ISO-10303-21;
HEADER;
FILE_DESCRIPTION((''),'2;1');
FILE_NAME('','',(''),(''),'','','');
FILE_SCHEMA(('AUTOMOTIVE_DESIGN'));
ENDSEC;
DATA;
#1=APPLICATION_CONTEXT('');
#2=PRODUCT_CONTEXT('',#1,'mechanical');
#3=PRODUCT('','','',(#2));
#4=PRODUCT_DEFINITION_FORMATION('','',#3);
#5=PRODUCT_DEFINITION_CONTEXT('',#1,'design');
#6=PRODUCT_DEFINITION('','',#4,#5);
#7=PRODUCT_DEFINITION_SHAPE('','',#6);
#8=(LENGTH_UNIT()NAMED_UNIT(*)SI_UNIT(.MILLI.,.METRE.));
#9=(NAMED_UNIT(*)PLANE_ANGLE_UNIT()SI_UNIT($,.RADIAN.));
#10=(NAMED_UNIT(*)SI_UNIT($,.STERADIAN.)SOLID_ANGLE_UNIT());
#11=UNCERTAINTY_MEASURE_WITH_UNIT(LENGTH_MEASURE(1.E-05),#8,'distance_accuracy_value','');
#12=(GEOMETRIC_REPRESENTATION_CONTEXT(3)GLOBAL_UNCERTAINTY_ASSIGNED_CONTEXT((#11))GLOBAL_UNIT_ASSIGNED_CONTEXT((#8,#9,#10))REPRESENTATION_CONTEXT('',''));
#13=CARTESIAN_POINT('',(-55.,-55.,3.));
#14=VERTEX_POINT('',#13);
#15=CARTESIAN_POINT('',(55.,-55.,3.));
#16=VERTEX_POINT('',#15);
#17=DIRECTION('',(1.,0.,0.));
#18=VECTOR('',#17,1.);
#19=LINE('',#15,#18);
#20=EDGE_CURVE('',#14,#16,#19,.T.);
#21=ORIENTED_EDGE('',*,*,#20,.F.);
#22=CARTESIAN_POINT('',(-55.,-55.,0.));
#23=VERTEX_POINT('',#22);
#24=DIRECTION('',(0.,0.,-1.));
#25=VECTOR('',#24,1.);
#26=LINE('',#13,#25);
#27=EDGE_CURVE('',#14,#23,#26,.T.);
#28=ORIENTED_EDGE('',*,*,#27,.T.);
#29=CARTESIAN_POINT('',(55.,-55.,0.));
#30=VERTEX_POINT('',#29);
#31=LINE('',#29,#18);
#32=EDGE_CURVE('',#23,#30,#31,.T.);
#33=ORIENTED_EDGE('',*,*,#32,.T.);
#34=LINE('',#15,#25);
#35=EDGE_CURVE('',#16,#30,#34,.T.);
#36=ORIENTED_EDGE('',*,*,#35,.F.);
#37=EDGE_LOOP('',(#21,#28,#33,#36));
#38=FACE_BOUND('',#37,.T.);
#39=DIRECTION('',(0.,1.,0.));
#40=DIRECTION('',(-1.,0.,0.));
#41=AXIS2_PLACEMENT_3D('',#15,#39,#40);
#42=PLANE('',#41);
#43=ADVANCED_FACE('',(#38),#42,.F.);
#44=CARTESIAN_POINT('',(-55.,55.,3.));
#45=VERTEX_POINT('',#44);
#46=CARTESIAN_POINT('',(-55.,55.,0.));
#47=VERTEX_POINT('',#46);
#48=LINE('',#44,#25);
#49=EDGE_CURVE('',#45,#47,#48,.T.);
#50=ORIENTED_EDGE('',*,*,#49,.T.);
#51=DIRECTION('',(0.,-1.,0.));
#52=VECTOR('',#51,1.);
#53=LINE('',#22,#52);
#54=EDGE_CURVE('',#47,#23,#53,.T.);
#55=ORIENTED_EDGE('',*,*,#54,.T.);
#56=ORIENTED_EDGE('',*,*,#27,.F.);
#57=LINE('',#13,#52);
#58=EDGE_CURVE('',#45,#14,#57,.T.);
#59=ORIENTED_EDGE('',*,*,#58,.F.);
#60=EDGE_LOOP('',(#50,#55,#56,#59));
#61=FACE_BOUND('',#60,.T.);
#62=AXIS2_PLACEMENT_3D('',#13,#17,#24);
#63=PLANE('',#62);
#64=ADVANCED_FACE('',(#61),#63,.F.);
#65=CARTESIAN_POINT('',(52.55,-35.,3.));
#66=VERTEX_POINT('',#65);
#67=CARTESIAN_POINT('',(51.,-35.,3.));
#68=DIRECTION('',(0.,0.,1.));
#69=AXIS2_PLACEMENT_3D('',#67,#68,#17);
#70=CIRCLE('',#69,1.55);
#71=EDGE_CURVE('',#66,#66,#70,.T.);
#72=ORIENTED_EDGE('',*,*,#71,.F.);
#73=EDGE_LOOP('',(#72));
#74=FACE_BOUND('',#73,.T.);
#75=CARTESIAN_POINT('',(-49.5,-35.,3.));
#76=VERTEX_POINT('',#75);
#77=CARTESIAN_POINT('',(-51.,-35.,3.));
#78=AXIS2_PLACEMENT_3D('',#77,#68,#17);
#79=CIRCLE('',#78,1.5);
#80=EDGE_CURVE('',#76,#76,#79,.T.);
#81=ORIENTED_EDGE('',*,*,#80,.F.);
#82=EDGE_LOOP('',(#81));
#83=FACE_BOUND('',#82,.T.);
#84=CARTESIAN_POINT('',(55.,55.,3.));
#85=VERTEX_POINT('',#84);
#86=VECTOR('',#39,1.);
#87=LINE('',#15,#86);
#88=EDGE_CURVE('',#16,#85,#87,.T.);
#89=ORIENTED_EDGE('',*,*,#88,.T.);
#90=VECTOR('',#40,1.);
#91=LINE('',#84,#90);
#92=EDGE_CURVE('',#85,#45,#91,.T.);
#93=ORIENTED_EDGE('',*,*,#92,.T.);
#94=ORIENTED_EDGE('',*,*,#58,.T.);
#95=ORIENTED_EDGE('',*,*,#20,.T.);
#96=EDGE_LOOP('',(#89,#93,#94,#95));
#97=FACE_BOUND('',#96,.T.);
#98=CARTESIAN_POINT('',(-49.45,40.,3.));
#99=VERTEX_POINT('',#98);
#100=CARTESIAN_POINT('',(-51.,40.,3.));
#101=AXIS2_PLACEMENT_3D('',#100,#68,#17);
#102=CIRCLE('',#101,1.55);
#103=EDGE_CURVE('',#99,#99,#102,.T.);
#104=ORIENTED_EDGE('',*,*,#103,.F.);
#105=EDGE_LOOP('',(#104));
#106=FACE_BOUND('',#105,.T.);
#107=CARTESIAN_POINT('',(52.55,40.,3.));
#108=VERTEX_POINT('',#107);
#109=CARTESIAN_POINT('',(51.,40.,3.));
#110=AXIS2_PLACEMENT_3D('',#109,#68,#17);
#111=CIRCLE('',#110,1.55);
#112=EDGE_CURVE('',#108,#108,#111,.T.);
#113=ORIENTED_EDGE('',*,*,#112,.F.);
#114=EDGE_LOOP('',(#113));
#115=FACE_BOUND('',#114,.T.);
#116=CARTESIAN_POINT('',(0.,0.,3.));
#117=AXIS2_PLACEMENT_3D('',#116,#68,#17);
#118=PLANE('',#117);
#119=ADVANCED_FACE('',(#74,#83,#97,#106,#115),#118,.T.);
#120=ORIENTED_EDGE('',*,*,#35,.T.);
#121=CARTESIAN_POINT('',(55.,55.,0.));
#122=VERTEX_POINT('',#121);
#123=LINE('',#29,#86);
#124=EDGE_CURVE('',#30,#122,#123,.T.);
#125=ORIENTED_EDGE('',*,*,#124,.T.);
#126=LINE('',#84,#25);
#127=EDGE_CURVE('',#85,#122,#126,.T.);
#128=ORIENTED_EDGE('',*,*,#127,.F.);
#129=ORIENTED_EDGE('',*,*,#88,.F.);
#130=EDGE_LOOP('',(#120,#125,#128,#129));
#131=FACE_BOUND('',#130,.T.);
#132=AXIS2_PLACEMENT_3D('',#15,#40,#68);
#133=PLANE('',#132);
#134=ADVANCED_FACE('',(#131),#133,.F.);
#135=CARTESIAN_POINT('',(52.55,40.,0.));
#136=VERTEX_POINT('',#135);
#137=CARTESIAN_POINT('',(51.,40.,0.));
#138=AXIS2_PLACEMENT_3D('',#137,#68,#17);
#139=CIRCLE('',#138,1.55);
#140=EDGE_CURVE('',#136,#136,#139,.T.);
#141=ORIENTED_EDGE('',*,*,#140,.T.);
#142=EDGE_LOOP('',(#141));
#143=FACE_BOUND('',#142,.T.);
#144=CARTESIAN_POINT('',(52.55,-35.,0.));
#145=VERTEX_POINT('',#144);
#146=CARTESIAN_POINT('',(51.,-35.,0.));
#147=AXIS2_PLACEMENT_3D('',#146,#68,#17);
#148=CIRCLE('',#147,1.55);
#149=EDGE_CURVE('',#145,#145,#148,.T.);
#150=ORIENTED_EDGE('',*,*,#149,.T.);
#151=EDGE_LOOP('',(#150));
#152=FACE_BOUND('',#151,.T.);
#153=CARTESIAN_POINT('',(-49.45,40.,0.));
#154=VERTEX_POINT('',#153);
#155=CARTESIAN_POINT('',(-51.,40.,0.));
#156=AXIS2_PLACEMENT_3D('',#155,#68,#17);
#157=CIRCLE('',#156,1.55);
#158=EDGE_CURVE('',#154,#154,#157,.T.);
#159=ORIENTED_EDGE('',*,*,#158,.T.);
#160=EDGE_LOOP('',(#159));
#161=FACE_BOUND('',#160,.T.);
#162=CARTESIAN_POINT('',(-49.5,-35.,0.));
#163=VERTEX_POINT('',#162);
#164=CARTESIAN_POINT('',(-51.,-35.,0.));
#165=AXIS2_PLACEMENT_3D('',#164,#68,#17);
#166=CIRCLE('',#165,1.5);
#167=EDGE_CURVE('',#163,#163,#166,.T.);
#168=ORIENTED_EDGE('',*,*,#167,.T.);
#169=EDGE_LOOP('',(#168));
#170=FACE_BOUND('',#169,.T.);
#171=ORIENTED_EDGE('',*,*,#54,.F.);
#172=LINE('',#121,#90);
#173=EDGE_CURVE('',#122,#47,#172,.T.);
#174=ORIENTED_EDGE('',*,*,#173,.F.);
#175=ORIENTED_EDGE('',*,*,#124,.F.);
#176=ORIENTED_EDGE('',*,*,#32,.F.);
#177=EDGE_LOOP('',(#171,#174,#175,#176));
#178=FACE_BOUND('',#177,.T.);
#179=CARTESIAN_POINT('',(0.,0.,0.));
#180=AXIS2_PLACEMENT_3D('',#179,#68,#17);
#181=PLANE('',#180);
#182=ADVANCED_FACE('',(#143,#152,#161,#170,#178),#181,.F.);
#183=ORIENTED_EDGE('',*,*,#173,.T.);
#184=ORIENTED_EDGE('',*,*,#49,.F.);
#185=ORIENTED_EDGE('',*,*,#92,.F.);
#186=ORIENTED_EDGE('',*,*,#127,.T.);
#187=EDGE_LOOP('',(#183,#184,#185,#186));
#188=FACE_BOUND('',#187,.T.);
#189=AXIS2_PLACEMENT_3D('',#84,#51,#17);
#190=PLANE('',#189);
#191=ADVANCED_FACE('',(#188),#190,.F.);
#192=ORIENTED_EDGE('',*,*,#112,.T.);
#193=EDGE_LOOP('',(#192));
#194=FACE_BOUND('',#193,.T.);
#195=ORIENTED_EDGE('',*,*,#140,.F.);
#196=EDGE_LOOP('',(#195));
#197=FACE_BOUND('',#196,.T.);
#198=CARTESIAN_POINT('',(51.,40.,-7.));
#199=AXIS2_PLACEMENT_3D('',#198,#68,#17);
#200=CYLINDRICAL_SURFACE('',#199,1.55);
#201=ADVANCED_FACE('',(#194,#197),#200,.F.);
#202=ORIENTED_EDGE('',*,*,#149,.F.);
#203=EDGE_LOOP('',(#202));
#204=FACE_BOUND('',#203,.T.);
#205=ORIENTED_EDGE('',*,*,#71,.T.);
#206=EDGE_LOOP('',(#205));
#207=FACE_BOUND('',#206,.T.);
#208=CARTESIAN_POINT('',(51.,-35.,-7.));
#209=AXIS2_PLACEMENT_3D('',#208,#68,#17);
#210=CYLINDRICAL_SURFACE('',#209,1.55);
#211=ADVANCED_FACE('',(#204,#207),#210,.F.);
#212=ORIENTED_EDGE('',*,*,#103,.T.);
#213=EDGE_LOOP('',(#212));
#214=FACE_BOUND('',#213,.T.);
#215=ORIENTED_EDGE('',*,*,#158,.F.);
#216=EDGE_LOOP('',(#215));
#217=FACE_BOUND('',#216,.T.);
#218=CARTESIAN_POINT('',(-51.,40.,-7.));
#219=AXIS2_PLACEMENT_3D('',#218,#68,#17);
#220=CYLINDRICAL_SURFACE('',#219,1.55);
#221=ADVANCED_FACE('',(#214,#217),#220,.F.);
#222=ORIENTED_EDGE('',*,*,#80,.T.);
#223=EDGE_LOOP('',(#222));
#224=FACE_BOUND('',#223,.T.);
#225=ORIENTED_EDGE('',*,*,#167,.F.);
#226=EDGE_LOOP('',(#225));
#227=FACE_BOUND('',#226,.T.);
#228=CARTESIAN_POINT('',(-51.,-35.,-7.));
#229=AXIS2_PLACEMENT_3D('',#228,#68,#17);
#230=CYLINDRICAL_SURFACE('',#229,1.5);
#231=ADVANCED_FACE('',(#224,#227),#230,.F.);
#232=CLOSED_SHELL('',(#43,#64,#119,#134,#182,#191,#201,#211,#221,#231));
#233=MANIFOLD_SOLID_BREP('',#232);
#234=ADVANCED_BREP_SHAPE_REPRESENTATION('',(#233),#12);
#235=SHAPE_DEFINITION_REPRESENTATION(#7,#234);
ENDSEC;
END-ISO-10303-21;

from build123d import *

# Parameters (mm, degrees)
SKETCH_1_W          = 110
SKETCH_1_H          = 110
EXTRUDE_1_DEPTH     = 3
SKETCH_2_R          = 1.55
SKETCH_2_R_2        = 1.5
CUT_EXTRUDE_1_DEPTH = 10


with BuildPart() as part:
    # 草图1 → 凸台-拉伸1 (new body)
    with BuildSketch(Plane.XY):
        Rectangle(SKETCH_1_W, SKETCH_1_H)
    extrude(amount=EXTRUDE_1_DEPTH)

    # 草图2 → 切除-拉伸1 (cut)
    with BuildSketch(Plane.XY.offset(3)):
        with Locations((51, 40)):
            Circle(SKETCH_2_R)
        with Locations((51, -35)):
            Circle(SKETCH_2_R)
        with Locations((-51, 40)):
            Circle(SKETCH_2_R)
        with Locations((-51, -35)):
            Circle(SKETCH_2_R_2)
    extrude(amount=-CUT_EXTRUDE_1_DEPTH, mode=Mode.SUBTRACT)


solid = part.part
